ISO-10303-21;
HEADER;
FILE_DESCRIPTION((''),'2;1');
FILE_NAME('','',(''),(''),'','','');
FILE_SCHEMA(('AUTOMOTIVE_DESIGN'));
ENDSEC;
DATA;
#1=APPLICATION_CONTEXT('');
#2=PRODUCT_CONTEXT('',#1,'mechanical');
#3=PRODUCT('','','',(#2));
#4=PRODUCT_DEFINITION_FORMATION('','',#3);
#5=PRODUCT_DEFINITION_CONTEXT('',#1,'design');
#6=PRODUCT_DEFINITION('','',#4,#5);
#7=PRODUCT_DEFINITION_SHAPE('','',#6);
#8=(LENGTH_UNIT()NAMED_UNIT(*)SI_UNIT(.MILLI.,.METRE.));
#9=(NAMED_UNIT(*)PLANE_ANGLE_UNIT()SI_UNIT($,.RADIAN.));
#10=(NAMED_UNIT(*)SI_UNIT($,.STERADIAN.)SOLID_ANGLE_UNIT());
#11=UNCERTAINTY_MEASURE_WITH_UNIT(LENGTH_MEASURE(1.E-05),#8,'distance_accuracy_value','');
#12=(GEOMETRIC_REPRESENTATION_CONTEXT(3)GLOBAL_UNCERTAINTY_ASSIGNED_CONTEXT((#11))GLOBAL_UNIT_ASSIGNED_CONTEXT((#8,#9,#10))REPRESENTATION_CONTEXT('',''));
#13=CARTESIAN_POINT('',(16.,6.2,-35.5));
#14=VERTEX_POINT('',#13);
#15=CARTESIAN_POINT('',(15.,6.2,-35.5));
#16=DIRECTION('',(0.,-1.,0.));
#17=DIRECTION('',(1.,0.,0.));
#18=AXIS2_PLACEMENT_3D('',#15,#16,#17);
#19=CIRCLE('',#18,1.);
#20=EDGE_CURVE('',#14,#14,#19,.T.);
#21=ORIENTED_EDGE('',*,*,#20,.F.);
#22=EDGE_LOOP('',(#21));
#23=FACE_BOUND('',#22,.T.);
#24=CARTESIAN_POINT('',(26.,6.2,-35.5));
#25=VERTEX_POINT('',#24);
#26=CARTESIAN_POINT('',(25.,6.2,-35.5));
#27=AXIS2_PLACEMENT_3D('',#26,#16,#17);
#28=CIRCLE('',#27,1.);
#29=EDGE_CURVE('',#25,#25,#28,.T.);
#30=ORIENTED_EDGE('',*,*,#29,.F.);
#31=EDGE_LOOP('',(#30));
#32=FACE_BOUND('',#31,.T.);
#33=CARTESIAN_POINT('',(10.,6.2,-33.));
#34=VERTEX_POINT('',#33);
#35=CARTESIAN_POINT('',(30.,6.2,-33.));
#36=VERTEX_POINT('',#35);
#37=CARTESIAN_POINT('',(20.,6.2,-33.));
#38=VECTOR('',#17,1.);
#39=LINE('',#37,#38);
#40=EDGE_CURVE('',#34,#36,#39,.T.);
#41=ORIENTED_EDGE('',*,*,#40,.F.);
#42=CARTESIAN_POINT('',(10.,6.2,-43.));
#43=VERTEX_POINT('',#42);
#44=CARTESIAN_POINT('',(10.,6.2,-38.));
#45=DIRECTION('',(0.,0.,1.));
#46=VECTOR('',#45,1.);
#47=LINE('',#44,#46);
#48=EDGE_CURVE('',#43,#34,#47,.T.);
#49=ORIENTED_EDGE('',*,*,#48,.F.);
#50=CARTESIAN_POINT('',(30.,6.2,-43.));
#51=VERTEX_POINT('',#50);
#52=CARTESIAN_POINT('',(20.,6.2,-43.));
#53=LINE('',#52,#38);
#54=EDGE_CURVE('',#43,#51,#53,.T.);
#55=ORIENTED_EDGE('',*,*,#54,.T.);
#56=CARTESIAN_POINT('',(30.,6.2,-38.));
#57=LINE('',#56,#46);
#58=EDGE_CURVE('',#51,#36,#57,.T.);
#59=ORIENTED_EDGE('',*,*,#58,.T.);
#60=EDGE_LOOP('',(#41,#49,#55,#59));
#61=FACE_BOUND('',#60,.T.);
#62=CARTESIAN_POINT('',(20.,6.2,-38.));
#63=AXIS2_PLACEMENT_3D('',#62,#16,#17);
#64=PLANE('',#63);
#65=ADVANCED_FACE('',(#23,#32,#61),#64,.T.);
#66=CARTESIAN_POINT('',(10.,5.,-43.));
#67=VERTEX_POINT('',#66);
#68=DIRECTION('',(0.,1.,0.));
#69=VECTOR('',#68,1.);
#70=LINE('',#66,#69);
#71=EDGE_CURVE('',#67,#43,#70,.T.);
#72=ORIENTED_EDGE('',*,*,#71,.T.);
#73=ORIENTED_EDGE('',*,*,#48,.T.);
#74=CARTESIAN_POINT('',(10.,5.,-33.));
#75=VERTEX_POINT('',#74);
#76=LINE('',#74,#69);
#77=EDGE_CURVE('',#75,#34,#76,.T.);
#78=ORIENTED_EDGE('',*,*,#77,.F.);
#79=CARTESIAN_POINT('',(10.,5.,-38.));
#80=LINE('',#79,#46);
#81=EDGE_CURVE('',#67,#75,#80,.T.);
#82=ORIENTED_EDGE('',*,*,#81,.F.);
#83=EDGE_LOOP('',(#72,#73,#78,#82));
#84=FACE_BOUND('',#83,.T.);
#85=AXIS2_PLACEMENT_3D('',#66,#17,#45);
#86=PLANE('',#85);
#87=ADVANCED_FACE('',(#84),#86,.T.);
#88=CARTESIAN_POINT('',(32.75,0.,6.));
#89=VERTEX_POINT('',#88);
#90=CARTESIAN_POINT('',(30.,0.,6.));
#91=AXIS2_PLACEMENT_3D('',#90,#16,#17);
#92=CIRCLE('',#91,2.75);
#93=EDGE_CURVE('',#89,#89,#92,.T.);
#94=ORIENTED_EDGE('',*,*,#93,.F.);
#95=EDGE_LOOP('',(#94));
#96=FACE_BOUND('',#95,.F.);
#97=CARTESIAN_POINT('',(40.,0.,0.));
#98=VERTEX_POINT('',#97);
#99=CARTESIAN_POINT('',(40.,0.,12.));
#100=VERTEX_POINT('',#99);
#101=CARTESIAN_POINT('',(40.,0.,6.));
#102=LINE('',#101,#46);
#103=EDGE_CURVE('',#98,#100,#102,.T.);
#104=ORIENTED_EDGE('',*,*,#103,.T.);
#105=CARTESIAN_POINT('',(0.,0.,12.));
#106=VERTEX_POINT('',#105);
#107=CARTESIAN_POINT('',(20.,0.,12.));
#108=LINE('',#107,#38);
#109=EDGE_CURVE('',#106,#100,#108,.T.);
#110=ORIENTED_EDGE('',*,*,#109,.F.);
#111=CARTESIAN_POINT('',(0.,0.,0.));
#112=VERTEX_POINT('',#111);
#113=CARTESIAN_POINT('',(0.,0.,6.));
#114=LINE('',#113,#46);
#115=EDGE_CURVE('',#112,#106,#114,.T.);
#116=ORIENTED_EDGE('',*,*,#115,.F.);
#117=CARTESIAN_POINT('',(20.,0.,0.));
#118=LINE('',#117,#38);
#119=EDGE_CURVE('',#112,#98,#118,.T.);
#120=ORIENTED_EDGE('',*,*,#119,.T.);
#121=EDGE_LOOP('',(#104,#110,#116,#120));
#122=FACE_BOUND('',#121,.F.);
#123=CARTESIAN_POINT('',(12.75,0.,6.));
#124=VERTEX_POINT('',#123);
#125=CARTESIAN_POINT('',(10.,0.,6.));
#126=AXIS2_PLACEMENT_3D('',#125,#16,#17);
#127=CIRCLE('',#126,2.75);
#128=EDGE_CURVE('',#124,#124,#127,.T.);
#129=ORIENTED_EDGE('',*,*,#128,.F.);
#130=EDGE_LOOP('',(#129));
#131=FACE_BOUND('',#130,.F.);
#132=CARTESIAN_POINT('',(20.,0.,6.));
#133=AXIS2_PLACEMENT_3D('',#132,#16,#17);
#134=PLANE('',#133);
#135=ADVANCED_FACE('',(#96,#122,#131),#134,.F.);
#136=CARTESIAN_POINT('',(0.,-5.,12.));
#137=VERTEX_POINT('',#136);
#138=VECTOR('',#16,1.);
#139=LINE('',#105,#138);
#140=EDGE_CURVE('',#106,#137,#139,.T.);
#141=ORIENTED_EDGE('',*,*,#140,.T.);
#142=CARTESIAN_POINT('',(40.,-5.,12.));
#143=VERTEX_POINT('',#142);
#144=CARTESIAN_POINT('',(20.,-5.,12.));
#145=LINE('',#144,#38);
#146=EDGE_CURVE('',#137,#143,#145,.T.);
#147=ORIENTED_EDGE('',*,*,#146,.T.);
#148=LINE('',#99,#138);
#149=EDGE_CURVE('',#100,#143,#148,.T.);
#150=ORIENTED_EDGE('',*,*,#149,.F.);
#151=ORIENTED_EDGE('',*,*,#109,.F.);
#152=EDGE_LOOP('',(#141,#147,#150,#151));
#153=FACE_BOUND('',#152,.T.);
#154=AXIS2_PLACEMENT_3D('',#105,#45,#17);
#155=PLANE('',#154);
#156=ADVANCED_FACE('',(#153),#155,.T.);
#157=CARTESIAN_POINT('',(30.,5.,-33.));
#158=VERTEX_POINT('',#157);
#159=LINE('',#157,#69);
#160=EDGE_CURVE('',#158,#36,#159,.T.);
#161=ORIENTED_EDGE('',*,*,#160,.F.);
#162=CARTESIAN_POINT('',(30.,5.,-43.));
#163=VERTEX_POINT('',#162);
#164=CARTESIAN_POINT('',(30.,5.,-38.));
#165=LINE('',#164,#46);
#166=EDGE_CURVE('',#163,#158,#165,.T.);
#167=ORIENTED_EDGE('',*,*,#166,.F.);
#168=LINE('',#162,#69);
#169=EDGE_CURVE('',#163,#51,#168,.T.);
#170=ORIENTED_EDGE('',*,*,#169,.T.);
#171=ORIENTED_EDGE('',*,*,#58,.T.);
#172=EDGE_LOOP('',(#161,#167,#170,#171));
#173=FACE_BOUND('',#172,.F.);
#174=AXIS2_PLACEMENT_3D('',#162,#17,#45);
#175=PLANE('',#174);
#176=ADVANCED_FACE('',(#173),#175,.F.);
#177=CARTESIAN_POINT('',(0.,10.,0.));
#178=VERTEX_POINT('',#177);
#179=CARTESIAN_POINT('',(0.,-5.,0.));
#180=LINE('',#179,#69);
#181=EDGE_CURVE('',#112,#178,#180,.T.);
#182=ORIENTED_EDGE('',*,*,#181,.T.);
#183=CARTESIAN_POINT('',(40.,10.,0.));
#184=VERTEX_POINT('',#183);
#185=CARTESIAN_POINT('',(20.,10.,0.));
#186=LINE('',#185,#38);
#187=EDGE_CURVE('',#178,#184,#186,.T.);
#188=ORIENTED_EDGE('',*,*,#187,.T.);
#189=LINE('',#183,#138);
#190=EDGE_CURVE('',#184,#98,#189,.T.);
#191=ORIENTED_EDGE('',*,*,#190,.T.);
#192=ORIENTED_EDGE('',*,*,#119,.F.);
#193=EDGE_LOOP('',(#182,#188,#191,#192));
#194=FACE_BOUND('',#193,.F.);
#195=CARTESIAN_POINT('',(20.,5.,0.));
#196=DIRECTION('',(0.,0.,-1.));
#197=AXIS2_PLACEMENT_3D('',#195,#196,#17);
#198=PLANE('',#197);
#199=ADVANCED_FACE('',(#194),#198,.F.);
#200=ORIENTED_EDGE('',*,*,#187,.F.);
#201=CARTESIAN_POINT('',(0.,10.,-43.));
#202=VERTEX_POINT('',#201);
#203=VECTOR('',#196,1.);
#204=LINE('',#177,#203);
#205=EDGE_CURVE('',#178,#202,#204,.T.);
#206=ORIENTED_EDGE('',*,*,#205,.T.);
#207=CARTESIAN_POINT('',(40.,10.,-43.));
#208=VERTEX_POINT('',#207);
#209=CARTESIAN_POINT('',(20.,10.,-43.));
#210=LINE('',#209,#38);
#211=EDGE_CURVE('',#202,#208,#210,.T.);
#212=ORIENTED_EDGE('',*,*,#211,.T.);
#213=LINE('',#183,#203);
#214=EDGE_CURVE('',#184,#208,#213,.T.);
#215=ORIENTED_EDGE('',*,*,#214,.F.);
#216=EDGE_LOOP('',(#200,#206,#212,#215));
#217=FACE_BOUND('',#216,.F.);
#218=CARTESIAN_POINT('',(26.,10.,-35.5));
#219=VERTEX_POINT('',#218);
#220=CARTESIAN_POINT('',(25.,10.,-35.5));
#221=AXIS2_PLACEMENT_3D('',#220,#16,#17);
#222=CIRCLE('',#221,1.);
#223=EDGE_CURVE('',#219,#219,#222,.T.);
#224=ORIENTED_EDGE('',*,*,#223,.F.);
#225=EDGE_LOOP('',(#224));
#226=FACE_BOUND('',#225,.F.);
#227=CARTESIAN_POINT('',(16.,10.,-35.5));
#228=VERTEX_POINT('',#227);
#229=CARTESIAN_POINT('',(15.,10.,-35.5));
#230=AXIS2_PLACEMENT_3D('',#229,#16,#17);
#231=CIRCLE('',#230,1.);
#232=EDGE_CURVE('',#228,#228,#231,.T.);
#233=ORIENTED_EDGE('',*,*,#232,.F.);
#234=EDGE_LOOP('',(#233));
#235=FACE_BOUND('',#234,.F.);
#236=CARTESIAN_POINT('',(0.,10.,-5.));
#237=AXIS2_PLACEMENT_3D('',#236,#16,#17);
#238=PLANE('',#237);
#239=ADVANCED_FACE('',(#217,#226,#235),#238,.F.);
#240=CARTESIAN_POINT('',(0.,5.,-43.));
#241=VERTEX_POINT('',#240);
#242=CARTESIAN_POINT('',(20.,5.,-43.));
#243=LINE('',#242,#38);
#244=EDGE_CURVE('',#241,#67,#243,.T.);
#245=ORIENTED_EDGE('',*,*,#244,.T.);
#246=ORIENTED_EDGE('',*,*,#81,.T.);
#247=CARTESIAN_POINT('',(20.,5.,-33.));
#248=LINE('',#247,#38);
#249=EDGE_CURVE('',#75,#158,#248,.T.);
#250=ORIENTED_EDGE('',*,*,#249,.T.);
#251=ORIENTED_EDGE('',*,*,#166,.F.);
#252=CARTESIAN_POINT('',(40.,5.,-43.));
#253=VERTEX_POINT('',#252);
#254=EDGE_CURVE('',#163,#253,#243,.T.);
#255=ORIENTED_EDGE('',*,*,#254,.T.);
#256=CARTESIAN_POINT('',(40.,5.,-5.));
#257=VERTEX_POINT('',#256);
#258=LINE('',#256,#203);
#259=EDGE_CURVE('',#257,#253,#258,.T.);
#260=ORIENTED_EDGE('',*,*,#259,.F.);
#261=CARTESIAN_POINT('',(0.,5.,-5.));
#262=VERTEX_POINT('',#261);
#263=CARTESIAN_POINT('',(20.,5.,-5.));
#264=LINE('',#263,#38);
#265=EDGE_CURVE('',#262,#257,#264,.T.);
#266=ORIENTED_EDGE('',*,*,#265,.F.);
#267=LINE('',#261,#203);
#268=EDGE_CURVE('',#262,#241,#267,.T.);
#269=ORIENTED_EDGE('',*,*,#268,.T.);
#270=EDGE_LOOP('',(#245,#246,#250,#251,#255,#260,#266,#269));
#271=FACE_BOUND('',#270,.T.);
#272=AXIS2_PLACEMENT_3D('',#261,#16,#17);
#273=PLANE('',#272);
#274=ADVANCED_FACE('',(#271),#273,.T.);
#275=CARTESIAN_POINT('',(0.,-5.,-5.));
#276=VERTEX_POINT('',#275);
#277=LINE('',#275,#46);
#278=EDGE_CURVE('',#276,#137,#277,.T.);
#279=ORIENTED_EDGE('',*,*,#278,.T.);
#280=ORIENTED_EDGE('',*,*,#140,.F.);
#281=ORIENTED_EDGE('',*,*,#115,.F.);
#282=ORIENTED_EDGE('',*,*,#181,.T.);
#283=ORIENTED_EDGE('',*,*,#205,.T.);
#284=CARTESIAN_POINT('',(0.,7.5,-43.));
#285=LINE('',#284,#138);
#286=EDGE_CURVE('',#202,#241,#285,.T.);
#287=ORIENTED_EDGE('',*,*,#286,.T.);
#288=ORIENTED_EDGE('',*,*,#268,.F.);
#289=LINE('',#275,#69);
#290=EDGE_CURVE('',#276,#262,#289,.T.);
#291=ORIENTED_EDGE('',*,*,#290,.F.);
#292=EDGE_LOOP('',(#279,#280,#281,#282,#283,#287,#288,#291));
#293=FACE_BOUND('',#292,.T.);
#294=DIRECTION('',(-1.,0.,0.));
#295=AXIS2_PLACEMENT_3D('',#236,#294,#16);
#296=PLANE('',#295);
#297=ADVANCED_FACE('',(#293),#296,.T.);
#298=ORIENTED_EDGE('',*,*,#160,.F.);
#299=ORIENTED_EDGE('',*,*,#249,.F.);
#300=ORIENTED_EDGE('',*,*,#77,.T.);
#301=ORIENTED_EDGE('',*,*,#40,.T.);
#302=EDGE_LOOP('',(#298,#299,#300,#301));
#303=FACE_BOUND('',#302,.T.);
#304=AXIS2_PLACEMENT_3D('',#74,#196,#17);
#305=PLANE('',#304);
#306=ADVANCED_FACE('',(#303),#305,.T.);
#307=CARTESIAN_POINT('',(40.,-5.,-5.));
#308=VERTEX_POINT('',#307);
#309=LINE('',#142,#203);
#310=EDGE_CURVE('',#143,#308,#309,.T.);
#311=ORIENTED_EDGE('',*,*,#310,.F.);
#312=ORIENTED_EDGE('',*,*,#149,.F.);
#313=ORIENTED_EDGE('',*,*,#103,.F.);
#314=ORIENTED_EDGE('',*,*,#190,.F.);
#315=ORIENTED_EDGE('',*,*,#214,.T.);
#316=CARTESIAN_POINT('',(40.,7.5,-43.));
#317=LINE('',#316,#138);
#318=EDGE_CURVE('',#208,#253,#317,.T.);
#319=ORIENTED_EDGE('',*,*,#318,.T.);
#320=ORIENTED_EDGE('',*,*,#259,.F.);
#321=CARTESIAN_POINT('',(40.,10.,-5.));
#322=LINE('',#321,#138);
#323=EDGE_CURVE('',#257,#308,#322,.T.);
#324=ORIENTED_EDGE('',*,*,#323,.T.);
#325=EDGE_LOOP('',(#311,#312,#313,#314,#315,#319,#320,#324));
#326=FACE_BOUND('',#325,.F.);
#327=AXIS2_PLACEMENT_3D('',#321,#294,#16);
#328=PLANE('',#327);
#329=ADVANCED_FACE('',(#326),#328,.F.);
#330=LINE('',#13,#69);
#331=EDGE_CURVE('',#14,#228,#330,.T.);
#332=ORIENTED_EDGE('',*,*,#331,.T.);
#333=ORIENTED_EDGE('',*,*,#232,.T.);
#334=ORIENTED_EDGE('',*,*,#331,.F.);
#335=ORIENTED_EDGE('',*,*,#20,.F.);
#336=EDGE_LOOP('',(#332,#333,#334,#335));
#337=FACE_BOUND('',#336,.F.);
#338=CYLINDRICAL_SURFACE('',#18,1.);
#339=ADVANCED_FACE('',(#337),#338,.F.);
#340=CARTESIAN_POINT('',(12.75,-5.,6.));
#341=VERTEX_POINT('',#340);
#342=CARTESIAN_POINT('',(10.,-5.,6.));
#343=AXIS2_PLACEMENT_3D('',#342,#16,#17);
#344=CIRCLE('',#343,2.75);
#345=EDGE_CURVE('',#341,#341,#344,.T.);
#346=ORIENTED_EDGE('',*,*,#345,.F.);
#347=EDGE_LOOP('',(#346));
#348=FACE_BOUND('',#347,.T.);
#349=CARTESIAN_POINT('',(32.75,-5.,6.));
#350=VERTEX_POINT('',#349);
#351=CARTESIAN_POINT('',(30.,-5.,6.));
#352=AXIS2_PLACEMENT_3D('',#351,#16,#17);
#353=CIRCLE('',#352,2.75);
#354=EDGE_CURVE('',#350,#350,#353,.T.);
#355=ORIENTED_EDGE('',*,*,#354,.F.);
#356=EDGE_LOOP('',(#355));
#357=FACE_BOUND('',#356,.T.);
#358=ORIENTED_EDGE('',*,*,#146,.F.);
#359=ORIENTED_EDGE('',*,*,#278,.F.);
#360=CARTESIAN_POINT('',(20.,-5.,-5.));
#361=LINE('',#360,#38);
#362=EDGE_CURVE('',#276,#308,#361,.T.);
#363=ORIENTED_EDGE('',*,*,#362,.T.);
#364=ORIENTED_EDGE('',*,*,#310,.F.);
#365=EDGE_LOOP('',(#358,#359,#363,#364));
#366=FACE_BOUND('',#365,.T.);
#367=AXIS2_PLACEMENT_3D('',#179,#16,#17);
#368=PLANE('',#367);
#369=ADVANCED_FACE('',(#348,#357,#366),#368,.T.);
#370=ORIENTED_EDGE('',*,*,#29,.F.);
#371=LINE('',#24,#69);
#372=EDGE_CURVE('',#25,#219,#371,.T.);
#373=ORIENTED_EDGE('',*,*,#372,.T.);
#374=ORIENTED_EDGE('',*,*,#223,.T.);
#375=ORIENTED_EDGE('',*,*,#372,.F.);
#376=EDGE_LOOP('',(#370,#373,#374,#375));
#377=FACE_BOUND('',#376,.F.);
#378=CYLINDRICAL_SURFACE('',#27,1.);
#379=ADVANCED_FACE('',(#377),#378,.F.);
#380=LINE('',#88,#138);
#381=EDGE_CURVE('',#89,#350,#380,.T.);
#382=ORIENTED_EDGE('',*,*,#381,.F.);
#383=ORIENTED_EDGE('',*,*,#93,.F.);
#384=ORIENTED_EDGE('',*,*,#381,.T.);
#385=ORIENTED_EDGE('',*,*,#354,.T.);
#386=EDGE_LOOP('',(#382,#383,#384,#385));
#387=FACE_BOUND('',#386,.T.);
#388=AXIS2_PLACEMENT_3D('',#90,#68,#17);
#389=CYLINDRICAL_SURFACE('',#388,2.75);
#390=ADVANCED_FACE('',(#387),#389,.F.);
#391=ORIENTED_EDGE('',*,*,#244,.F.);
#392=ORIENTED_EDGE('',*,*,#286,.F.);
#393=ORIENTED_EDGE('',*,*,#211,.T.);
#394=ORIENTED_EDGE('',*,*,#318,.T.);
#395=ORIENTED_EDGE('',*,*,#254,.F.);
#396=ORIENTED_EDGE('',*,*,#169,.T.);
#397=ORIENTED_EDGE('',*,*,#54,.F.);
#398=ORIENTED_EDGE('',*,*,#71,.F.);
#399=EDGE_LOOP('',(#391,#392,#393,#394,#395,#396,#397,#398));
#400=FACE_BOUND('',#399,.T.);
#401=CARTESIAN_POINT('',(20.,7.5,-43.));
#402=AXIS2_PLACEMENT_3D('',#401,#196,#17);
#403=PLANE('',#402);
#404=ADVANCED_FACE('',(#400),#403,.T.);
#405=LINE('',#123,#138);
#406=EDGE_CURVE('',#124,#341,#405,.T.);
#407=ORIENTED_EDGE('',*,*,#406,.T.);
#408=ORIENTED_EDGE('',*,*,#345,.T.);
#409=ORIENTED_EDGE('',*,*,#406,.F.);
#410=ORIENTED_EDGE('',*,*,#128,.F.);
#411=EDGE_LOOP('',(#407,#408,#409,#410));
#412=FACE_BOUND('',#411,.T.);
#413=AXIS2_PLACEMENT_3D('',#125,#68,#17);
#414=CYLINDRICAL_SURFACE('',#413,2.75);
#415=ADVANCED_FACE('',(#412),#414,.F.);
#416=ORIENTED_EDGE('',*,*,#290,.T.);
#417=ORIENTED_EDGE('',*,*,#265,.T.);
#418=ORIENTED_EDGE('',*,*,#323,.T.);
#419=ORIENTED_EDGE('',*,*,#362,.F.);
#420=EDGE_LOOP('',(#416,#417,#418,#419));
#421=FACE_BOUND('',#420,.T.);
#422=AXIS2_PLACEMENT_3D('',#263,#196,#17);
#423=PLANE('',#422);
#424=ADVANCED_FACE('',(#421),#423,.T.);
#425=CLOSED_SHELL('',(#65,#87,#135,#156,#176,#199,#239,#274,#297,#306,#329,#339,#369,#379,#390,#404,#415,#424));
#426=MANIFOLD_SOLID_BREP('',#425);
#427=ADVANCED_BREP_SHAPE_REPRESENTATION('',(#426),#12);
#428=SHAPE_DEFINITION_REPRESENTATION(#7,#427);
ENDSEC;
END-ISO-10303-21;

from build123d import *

# Parameters (mm, degrees)
F0_W     = 40
F0_H     = 12
F0_R     = 2.75
F1_DEPTH = 5
F2_W     = 40
F2_H     = 10
F2_H_2   = 5
F3_DEPTH = 5
F4_W     = 40
F4_H     = 5
F5_DEPTH = 38
F6_W     = 20
F6_H     = 10
F7_DEPTH = 1.2
F8_R     = 1
F9_DEPTH = 25


with BuildPart() as f1:
    # F0 (on Front) → F1 (new body)
    with BuildSketch(Plane.XZ):
        with Locations((20, 6)):
            Rectangle(F0_W, F0_H)
        with Locations((10, 6)):
            Circle(F0_R, mode=Mode.SUBTRACT)
        with Locations((30, 6)):
            Circle(F0_R, mode=Mode.SUBTRACT)
    extrude(amount=F1_DEPTH)

    # F2 (on face) → F3 (join)
    with BuildSketch(Plane(origin=(0, 0, 0), x_dir=(1, 0, 0), z_dir=(0, 0, -1))):
        with Locations((20, -5)):
            Rectangle(F2_W, F2_H)
        with Locations((20, 2.5)):
            Rectangle(F2_W, F2_H_2)
    extrude(amount=F3_DEPTH)

    # F4 (on face) → F5 (join)
    with BuildSketch(Plane(origin=(0, 0, -5), x_dir=(1, 0, 0), z_dir=(0, 0, -1))):
        with Locations((20, -7.5)):
            Rectangle(F4_W, F4_H)
    extrude(amount=F5_DEPTH)

    # F6 (on face) → F7 (cut)
    with BuildSketch(Plane.XZ.offset(-5)):
        with Locations((20, -38)):
            Rectangle(F6_W, F6_H)
    extrude(amount=-F7_DEPTH, mode=Mode.SUBTRACT)

    # F8 (on face) → F9 (cut)
    with BuildSketch(Plane.XZ.offset(-6.2)):
        with Locations((15, -35.5)):
            Circle(F8_R)
        with Locations((25, -35.5)):
            Circle(F8_R)
    extrude(amount=-F9_DEPTH, mode=Mode.SUBTRACT)


solid = f1.part
